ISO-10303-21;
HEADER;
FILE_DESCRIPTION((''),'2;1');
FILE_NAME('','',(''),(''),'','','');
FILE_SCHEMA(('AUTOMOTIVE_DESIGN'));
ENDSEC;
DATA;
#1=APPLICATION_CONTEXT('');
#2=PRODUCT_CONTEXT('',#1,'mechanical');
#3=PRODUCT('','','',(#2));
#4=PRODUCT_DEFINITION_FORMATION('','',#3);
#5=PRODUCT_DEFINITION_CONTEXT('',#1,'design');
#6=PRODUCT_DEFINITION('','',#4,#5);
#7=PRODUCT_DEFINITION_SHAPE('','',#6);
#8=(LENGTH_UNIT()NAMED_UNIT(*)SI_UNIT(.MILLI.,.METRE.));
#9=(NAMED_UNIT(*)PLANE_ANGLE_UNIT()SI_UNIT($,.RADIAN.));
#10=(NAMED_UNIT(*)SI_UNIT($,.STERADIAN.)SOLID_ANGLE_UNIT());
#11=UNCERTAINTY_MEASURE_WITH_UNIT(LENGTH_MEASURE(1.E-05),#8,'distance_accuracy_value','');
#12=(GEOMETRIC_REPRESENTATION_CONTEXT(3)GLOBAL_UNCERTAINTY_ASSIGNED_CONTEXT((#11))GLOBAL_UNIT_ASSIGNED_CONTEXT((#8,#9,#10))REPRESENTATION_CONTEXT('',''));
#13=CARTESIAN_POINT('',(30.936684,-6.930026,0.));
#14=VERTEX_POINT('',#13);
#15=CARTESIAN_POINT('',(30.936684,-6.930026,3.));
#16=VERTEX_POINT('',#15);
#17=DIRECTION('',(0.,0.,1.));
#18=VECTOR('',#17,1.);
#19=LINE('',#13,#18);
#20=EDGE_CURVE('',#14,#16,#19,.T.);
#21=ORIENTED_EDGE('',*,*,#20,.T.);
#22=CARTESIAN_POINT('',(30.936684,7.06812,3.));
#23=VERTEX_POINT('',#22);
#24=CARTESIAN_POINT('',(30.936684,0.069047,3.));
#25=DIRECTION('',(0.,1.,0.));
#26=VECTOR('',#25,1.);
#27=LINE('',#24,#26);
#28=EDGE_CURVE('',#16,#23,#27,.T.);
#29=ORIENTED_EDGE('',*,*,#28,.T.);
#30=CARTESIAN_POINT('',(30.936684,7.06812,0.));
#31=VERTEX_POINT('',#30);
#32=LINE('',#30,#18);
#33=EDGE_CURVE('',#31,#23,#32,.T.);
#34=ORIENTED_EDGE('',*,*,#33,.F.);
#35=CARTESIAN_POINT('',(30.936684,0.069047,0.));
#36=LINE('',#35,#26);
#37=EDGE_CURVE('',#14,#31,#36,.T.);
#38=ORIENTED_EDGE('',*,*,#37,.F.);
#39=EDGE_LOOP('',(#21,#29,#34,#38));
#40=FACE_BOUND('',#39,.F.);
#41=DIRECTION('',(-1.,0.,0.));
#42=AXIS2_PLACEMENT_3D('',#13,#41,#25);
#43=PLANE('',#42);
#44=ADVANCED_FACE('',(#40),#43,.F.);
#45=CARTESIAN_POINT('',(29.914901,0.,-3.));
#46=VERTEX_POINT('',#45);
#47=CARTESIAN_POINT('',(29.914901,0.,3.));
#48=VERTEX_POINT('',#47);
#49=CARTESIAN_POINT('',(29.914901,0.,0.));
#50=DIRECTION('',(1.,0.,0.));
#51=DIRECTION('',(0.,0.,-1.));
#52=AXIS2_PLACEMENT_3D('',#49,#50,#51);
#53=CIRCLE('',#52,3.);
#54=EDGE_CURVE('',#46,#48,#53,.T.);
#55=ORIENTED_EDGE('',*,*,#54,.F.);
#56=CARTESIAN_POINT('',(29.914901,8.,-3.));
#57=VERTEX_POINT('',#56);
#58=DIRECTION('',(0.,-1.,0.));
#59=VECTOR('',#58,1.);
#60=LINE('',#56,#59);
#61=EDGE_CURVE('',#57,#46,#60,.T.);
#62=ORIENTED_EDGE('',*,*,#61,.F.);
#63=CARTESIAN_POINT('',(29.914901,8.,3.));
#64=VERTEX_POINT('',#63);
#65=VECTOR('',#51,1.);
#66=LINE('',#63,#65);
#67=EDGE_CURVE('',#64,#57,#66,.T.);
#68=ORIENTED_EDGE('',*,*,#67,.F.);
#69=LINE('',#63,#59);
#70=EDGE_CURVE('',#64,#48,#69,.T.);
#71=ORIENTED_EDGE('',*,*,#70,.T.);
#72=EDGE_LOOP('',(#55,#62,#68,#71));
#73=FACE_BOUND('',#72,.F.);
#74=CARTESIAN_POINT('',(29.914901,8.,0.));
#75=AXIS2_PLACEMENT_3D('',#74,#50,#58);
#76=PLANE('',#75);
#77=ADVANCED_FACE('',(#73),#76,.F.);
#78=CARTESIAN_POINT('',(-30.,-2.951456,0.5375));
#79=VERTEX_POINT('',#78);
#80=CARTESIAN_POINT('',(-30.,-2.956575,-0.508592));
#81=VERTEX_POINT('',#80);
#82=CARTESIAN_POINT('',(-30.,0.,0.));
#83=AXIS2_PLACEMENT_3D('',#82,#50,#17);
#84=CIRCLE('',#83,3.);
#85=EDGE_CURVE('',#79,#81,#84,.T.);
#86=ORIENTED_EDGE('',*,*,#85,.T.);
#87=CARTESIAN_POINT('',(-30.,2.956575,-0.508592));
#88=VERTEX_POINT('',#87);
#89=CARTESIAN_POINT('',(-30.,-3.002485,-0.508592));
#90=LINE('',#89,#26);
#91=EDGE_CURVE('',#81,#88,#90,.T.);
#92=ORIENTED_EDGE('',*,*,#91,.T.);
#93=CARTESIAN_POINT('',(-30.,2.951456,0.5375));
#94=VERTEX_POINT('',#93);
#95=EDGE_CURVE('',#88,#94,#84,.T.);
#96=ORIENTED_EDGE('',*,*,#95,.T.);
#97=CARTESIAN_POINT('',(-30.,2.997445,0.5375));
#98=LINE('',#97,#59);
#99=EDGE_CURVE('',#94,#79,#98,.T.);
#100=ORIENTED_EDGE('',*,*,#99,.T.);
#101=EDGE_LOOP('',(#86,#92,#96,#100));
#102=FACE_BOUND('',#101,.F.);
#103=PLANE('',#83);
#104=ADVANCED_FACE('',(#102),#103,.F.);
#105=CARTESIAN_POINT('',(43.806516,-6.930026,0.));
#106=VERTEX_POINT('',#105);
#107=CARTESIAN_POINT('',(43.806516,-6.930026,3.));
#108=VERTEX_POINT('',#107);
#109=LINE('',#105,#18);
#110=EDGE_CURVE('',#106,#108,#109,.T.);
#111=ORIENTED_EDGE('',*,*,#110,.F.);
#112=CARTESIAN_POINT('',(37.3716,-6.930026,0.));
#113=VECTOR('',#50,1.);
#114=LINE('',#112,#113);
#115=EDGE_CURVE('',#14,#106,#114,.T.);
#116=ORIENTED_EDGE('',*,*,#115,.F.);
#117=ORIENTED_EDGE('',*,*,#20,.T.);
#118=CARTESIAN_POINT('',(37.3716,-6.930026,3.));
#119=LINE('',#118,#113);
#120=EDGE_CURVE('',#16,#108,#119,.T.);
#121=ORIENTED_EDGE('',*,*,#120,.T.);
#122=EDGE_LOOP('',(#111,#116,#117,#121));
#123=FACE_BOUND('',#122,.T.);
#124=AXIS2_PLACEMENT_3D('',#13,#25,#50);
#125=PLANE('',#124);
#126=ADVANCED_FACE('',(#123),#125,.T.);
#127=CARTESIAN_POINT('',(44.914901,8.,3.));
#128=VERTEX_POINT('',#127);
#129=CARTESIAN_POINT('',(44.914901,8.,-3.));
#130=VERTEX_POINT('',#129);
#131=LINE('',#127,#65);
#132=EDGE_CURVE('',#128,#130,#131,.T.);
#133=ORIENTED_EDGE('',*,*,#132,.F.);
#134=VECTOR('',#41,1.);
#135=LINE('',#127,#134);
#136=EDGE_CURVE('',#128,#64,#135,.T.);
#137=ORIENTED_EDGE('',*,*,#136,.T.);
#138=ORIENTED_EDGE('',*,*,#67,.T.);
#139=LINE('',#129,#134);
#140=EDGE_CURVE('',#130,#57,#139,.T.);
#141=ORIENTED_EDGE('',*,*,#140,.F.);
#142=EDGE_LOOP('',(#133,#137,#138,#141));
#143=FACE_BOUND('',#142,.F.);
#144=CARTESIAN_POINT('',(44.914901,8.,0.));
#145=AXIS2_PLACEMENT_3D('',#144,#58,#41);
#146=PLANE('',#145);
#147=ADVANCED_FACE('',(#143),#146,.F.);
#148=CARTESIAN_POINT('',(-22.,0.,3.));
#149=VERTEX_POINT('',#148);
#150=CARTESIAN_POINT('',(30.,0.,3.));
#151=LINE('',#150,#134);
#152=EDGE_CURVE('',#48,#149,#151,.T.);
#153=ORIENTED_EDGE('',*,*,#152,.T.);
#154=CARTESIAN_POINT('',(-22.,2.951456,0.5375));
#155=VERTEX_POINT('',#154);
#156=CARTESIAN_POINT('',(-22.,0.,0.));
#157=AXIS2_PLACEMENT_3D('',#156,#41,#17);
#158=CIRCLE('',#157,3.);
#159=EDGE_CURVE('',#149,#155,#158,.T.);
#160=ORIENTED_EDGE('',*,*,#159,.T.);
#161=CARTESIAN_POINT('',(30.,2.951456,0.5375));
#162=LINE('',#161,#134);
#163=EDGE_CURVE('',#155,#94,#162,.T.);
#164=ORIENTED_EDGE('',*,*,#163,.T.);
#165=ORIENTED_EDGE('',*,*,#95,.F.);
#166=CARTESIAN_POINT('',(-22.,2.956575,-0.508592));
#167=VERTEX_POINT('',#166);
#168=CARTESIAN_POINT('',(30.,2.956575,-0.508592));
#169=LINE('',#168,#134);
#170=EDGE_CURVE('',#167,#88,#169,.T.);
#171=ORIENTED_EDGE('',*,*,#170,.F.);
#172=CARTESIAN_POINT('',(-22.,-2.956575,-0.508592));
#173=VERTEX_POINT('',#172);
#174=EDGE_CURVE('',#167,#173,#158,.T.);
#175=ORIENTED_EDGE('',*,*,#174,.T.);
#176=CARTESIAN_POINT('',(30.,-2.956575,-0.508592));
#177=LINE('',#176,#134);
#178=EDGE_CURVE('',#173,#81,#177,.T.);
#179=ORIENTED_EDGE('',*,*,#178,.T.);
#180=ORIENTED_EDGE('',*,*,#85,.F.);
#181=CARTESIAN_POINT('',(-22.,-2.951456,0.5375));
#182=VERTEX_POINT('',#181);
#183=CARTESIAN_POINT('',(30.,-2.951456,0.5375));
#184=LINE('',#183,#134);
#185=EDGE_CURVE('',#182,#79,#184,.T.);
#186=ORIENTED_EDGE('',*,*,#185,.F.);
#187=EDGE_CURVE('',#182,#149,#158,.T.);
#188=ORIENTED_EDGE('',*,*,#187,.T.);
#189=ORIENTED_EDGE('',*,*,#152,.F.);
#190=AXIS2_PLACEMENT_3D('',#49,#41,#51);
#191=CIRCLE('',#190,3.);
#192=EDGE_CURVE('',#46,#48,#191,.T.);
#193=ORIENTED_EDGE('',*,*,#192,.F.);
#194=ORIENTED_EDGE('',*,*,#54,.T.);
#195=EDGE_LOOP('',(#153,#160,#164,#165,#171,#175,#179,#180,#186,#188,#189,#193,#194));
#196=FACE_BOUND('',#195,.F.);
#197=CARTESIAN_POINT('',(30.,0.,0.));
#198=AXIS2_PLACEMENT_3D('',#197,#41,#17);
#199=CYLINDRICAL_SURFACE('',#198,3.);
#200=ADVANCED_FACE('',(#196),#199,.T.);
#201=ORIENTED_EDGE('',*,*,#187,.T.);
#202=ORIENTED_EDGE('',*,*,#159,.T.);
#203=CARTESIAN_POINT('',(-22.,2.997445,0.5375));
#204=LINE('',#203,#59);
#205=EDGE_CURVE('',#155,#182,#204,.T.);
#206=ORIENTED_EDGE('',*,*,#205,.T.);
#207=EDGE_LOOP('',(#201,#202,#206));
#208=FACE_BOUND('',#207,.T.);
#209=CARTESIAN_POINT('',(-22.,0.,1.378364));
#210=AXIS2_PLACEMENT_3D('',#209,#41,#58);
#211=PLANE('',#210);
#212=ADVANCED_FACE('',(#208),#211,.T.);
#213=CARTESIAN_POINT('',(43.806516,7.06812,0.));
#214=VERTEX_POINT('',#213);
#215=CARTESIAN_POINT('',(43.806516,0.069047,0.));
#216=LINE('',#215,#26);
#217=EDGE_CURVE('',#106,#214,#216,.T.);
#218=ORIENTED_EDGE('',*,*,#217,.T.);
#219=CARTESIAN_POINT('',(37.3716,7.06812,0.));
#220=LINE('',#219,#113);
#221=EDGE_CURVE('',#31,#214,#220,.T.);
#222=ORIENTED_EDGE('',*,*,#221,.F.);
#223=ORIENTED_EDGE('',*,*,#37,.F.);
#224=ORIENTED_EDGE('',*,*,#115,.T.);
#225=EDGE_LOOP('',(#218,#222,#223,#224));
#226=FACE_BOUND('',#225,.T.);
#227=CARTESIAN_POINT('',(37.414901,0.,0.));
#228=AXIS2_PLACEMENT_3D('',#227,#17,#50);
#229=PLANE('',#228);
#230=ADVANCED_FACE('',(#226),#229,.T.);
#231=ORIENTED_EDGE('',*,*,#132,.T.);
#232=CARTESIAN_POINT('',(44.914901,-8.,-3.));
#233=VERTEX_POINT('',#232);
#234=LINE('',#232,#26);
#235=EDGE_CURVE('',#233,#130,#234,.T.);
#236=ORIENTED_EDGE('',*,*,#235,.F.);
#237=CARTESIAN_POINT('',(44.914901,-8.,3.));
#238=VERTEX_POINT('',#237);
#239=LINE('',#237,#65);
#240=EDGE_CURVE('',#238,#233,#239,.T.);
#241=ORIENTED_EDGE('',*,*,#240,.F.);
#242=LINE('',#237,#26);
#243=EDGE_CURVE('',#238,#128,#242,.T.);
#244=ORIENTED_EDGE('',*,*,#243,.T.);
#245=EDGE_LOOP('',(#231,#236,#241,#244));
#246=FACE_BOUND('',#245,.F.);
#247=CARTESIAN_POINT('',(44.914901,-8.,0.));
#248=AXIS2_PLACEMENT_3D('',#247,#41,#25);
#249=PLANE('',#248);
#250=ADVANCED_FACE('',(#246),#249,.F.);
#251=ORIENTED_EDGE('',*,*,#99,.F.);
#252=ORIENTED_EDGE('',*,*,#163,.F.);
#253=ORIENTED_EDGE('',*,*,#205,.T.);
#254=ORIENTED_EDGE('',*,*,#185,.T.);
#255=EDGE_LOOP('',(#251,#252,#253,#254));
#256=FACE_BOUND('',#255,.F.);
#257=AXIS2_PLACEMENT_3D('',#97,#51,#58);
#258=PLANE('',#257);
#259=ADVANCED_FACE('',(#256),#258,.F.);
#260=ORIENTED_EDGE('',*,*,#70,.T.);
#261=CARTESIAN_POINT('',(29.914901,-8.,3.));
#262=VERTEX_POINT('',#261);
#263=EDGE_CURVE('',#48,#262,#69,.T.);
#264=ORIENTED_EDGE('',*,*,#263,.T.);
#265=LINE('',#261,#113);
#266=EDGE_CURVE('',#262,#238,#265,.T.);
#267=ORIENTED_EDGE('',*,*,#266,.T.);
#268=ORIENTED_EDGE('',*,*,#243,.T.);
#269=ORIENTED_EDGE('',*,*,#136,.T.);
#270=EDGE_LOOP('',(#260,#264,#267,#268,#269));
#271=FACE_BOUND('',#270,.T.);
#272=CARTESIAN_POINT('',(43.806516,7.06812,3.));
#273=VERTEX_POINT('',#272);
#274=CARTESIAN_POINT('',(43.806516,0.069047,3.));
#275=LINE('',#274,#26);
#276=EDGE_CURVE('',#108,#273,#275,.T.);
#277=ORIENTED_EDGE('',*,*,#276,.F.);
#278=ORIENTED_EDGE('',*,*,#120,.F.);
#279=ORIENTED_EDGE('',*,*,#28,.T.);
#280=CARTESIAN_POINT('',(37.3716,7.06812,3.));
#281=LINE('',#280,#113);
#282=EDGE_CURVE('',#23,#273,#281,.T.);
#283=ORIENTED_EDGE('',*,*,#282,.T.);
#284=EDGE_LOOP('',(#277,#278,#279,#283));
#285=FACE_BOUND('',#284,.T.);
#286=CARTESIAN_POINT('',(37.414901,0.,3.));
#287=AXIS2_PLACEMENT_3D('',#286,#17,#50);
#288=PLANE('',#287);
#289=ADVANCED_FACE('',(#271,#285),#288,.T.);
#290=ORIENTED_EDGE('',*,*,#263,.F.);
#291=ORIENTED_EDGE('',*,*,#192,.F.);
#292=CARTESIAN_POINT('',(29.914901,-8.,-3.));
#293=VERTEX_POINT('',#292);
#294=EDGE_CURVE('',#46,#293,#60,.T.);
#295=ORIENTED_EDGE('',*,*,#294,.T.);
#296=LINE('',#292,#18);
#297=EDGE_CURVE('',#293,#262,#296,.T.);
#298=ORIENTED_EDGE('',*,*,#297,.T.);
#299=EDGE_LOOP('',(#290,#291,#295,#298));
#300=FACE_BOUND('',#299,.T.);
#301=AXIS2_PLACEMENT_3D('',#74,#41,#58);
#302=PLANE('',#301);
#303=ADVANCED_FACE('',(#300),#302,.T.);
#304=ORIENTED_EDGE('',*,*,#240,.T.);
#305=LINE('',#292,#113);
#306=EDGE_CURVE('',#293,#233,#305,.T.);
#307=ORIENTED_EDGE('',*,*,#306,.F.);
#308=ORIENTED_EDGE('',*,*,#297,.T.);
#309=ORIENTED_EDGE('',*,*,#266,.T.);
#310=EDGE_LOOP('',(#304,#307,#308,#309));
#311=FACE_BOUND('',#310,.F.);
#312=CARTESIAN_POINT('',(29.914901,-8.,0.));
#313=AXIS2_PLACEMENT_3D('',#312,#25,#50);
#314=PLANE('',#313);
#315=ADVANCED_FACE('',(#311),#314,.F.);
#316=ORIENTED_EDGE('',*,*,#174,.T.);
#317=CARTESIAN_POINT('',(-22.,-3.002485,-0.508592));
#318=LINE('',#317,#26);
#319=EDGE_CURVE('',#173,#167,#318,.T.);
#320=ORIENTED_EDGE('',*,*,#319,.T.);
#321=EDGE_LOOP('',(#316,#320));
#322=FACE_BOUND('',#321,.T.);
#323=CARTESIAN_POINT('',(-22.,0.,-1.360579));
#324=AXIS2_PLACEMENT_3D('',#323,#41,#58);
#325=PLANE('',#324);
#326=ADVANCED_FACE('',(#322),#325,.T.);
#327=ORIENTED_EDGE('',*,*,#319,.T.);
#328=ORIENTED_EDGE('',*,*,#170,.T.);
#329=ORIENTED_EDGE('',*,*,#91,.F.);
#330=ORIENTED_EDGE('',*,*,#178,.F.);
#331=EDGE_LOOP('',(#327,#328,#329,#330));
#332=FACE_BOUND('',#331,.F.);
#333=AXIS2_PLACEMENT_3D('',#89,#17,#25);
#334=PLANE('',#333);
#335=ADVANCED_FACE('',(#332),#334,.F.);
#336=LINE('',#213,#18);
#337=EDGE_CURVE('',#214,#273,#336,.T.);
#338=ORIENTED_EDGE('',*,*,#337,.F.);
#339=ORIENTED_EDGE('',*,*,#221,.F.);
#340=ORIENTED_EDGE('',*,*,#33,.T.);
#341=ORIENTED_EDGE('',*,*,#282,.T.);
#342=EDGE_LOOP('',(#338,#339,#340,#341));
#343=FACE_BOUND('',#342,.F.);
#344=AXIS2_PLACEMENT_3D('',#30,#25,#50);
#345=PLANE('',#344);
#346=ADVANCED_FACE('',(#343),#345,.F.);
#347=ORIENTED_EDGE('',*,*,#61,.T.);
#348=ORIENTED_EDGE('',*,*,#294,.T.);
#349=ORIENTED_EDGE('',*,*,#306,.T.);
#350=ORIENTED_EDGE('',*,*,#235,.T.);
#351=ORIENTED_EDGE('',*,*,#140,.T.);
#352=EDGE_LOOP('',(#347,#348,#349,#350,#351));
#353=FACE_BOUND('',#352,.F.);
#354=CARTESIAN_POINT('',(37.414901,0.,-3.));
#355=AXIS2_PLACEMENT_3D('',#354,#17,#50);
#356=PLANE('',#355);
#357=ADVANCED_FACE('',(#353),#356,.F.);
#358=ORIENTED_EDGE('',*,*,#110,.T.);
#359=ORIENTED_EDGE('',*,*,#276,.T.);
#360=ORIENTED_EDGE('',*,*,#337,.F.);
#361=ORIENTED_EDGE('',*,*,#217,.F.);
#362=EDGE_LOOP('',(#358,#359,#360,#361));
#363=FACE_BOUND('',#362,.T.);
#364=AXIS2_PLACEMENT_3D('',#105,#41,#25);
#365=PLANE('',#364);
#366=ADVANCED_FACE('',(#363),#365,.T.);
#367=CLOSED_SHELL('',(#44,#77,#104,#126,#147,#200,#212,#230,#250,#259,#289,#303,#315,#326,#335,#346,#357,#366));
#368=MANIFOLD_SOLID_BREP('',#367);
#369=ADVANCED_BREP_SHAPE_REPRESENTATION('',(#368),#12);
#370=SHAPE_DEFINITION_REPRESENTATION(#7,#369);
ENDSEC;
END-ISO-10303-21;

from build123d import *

# Parameters (mm, degrees)
F3_DEPTH = 8
F4_W     = 12.8698311746
F4_H     = 13.9981461689
F5_DEPTH = 3
F6_DEPTH = 3


with BuildPart() as f1:
    # F0 (on Front) → F1 (revolve)
    with BuildSketch(Plane.XZ):
        Polygon((30, 3), (0, 3), (-30, 3), (-30, 0), (0, 0), (30, 0), align=None)
    revolve(axis=Axis((15, 0, 0), (1, 0, 0)))

    # F2 (on face) → F3 (cut)
    with BuildSketch(Plane(origin=(-30, 0, 0), x_dir=(0, -1, 0), z_dir=(-1, 0, 0))):
        with BuildLine():
            Line((3.0024852457, -0.5085919919), (-3.0024852457, -0.5085919919))
            ThreePointArc((-3.0024852457, -0.5085919919), (0, -3.0452558948), (3.0024852457, -0.5085919919))
        make_face()
        with BuildLine():
            ThreePointArc((2.9974451145, 0.5375), (0, 3.0452558948), (-2.9974451145, 0.5375))
            Line((-2.9974451145, 0.5375), (2.9974451145, 0.5375))
        make_face()
    extrude(amount=-F3_DEPTH, mode=Mode.SUBTRACT)

    # F4 (on Top) → F5 (join)
    with BuildSketch(Plane.XY):
        Polygon((29.9149005125, 8), (29.9149005125, 0), (29.9149005125, -8), (44.9149005125, -8), (44.9149005125, 8), align=None)
        with Locations((37.3716000468, 0.0690473244)):
            Rectangle(F4_W, F4_H, mode=Mode.SUBTRACT)
        with Locations((37.3716000468, 0.0690473244)):
            Rectangle(F4_W, F4_H)
    extrude(amount=-F5_DEPTH)

    # F4 (on Top) → F6 (join)
    with BuildSketch(Plane.XY):
        Polygon((29.9149005125, 8), (29.9149005125, 0), (29.9149005125, -8), (44.9149005125, -8), (44.9149005125, 8), align=None)
        with Locations((37.3716000468, 0.0690473244)):
            Rectangle(F4_W, F4_H, mode=Mode.SUBTRACT)
    extrude(amount=F6_DEPTH)


solid = f1.part
